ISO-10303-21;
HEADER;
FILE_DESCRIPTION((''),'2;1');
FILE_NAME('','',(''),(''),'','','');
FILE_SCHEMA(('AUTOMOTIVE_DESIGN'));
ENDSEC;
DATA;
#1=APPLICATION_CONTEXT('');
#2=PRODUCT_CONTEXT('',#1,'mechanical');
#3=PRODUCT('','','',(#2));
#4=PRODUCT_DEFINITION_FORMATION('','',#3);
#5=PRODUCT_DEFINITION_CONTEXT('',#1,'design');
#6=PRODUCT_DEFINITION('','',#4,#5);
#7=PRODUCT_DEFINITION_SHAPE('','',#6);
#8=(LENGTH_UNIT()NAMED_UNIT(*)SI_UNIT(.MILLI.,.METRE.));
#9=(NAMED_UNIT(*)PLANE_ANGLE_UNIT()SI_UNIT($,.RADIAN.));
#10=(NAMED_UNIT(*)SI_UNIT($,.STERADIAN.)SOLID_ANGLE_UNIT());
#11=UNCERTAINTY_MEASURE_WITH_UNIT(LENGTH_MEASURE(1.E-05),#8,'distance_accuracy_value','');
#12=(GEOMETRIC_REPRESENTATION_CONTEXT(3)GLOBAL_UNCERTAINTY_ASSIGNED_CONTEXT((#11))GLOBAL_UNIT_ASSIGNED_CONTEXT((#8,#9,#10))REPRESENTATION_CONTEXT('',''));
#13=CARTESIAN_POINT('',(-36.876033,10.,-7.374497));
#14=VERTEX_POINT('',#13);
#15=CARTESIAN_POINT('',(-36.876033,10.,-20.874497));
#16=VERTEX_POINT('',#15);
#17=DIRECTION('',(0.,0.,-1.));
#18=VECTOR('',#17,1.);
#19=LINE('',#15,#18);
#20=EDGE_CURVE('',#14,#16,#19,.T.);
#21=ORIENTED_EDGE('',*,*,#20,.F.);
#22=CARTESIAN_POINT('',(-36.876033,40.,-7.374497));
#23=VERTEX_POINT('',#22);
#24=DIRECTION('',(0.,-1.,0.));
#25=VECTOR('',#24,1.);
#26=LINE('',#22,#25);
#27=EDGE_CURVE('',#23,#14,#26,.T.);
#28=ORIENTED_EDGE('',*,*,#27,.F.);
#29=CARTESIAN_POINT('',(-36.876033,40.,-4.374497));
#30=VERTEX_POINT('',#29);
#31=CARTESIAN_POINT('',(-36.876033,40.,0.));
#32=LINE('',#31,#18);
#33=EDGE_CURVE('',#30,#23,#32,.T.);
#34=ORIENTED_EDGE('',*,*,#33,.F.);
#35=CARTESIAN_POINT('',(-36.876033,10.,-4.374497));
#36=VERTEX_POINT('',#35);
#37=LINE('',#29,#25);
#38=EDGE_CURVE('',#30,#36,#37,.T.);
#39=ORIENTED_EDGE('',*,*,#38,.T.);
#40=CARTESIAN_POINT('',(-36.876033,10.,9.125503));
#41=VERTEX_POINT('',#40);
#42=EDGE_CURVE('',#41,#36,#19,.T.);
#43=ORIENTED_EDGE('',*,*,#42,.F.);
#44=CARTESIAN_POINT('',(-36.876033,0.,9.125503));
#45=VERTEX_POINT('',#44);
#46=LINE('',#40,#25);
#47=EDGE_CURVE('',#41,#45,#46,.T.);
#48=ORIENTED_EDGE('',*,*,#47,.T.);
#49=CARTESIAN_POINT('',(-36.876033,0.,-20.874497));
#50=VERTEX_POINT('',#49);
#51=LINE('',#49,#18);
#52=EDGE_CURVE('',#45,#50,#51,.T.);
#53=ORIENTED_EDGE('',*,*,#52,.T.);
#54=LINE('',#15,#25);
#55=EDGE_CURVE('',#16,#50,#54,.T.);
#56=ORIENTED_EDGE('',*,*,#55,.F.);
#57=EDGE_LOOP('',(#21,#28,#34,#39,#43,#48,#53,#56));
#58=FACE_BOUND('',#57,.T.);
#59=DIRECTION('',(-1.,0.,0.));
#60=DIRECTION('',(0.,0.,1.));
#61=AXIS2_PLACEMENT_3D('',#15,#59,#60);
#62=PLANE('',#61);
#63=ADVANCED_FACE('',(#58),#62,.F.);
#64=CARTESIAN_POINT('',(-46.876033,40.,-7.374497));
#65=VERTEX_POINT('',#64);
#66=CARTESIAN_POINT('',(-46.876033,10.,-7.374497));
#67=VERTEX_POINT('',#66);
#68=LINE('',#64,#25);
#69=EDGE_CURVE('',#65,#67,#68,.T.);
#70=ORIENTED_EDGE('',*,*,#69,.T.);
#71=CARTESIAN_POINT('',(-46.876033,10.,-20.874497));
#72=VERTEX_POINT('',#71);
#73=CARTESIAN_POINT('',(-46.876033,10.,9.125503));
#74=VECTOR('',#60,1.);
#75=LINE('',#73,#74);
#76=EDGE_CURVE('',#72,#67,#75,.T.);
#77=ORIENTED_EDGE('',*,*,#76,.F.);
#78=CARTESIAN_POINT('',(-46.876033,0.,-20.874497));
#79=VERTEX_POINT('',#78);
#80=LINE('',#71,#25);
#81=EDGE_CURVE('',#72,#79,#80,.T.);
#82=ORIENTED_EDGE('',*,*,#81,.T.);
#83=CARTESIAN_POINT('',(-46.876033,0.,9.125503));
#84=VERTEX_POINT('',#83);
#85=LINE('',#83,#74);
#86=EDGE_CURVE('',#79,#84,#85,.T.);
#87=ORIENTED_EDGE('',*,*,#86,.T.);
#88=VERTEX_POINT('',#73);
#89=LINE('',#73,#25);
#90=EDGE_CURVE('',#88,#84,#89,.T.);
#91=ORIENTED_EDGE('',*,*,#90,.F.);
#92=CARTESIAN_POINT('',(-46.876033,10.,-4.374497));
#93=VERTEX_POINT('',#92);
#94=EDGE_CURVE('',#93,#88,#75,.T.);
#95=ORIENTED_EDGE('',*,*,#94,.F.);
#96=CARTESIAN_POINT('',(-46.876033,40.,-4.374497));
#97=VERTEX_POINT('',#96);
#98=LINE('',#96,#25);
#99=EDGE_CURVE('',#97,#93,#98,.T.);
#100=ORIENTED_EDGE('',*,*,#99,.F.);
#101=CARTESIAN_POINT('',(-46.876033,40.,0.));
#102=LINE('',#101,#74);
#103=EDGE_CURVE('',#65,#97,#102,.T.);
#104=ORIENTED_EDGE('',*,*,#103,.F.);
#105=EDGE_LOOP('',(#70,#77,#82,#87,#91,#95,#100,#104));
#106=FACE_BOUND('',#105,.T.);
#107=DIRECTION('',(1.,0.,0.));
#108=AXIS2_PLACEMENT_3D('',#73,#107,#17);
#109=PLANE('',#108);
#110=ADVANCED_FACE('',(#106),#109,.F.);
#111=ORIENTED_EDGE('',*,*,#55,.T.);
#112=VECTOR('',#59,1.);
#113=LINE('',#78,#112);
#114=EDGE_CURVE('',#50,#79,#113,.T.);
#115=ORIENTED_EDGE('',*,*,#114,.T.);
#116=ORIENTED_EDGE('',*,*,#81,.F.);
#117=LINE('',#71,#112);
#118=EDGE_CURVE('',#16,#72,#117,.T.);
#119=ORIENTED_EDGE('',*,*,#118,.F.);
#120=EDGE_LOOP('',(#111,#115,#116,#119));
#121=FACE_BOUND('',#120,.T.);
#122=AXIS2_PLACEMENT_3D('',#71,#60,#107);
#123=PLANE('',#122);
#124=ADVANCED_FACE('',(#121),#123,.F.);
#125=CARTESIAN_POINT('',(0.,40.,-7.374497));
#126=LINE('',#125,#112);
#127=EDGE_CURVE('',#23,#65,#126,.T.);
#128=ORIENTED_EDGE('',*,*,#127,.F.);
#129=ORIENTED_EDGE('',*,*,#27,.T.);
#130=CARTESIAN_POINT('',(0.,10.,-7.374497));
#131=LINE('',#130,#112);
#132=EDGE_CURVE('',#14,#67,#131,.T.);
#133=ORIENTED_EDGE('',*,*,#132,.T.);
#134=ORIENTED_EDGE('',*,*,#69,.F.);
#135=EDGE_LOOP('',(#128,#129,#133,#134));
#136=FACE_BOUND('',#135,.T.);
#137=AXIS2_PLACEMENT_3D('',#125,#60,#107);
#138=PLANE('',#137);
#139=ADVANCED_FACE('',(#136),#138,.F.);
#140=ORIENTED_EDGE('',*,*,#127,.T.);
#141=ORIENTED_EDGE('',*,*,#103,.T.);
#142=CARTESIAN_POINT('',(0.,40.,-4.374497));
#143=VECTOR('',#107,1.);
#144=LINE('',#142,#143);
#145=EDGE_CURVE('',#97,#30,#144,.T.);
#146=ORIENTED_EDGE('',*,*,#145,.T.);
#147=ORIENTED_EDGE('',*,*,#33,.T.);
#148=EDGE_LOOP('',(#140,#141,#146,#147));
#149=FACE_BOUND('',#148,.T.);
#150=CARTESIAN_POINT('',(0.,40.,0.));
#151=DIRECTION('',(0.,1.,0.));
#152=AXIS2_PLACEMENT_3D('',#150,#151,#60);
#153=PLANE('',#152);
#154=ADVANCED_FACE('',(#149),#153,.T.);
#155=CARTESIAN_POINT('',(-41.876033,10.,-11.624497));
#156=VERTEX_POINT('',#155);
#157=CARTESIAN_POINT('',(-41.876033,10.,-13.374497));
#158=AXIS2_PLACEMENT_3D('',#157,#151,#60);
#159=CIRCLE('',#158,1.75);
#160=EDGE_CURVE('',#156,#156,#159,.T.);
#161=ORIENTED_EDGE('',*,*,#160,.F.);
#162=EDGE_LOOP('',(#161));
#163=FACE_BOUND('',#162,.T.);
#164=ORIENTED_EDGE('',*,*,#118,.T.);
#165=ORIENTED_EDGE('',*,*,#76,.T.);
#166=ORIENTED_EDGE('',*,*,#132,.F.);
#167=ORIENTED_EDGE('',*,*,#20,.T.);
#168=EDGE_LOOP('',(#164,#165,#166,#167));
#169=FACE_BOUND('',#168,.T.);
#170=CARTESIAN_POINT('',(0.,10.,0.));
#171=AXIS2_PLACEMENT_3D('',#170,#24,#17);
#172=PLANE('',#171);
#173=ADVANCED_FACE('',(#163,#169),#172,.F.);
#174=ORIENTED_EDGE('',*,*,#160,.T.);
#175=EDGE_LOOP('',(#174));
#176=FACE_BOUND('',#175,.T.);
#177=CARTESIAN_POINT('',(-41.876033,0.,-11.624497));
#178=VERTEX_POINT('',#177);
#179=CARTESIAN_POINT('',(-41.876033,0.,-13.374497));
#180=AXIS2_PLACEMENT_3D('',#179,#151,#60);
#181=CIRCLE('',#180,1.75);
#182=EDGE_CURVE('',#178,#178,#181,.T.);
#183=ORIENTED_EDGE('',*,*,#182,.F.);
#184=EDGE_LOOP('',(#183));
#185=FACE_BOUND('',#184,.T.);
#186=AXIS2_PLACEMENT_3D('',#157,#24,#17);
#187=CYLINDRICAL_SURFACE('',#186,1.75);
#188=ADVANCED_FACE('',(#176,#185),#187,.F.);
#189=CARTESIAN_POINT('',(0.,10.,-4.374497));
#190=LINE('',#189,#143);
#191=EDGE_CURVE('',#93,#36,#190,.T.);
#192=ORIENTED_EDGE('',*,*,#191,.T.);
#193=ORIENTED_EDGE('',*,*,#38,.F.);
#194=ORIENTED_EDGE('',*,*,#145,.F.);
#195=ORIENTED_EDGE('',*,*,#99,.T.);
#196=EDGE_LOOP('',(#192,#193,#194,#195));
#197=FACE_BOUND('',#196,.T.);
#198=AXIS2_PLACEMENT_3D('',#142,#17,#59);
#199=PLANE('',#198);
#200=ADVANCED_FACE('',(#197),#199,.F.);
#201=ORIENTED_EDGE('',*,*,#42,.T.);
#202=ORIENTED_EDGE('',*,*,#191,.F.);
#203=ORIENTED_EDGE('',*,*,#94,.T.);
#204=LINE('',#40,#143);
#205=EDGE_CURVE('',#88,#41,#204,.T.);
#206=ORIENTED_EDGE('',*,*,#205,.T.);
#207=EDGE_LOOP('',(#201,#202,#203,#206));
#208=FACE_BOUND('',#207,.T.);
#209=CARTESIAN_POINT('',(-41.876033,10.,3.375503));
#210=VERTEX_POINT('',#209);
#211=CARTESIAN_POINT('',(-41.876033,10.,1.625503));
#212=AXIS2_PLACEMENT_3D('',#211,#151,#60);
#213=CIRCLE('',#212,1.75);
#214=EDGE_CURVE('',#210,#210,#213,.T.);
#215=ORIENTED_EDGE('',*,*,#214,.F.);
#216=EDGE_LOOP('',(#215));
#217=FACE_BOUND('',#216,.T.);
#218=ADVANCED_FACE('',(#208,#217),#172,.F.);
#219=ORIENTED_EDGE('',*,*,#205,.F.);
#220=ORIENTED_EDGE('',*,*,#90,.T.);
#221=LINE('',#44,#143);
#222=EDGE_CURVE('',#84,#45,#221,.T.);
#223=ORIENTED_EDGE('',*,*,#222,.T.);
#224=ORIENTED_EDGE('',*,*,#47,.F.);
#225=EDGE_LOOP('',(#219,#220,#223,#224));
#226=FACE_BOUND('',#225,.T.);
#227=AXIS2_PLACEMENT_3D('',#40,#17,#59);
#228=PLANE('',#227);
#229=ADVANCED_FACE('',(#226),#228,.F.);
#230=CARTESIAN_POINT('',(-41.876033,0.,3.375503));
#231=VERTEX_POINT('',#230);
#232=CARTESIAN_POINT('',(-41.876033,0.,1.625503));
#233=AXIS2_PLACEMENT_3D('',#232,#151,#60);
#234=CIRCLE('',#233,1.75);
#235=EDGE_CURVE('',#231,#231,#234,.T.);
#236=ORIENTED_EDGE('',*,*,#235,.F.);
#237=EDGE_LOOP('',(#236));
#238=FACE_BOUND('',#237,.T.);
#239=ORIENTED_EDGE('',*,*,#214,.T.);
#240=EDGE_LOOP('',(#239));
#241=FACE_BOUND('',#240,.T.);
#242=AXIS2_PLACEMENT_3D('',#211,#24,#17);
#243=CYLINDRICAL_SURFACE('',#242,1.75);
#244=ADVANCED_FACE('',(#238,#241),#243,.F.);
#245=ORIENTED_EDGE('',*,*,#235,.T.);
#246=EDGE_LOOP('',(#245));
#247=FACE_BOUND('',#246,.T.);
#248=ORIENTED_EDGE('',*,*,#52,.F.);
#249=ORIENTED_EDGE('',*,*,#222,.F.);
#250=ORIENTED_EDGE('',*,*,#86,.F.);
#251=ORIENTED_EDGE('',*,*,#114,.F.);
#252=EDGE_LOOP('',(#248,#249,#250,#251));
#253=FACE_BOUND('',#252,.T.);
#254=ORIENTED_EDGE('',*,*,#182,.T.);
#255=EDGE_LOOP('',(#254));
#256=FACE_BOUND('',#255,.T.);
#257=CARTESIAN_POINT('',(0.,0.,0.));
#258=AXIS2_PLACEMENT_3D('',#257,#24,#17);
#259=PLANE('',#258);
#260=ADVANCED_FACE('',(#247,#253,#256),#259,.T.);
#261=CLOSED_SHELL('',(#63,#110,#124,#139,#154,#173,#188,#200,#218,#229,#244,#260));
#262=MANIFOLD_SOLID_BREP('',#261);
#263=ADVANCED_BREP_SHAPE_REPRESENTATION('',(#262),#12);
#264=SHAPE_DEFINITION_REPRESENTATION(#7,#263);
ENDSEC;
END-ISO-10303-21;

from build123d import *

# Parameters (mm, degrees)
SKETCH2_W           = 10
SKETCH2_H           = 30
SKETCH2_R           = 1.75
BOSS_EXTRUDE1_DEPTH = 10
SKETCH4_W           = 10
SKETCH4_H           = 1.5
BOSS_EXTRUDE3_DEPTH = 30


with BuildPart() as part:
    # Sketch2 → Boss-Extrude1 (new body)
    with BuildSketch(Plane(origin=(0, 0, 0), x_dir=(1, 0, 0), z_dir=(0, 1, 0))):
        with Locations((-41.876032971, 5.874496677)):
            Rectangle(SKETCH2_W, SKETCH2_H)
        with Locations(Location((-41.876032971, -1.625503323, 0), (0, 0, 270))):
            Circle(SKETCH2_R, mode=Mode.SUBTRACT)
        with Locations(Location((-41.876032971, 13.374496677, 0), (0, 0, 270))):
            Circle(SKETCH2_R, mode=Mode.SUBTRACT)
    extrude(amount=BOSS_EXTRUDE1_DEPTH)

    # Sketch4 → Boss-Extrude3 (add)
    with BuildSketch(Plane(origin=(0, 10, 0), x_dir=(1, 0, 0), z_dir=(0, 1, 0))):
        with Locations((-41.876032971, 6.624496677)):
            Rectangle(SKETCH4_W, SKETCH4_H)
        with Locations((-41.876032971, 5.124496677)):
            Rectangle(SKETCH4_W, SKETCH4_H)
    extrude(amount=BOSS_EXTRUDE3_DEPTH)


solid = part.part
